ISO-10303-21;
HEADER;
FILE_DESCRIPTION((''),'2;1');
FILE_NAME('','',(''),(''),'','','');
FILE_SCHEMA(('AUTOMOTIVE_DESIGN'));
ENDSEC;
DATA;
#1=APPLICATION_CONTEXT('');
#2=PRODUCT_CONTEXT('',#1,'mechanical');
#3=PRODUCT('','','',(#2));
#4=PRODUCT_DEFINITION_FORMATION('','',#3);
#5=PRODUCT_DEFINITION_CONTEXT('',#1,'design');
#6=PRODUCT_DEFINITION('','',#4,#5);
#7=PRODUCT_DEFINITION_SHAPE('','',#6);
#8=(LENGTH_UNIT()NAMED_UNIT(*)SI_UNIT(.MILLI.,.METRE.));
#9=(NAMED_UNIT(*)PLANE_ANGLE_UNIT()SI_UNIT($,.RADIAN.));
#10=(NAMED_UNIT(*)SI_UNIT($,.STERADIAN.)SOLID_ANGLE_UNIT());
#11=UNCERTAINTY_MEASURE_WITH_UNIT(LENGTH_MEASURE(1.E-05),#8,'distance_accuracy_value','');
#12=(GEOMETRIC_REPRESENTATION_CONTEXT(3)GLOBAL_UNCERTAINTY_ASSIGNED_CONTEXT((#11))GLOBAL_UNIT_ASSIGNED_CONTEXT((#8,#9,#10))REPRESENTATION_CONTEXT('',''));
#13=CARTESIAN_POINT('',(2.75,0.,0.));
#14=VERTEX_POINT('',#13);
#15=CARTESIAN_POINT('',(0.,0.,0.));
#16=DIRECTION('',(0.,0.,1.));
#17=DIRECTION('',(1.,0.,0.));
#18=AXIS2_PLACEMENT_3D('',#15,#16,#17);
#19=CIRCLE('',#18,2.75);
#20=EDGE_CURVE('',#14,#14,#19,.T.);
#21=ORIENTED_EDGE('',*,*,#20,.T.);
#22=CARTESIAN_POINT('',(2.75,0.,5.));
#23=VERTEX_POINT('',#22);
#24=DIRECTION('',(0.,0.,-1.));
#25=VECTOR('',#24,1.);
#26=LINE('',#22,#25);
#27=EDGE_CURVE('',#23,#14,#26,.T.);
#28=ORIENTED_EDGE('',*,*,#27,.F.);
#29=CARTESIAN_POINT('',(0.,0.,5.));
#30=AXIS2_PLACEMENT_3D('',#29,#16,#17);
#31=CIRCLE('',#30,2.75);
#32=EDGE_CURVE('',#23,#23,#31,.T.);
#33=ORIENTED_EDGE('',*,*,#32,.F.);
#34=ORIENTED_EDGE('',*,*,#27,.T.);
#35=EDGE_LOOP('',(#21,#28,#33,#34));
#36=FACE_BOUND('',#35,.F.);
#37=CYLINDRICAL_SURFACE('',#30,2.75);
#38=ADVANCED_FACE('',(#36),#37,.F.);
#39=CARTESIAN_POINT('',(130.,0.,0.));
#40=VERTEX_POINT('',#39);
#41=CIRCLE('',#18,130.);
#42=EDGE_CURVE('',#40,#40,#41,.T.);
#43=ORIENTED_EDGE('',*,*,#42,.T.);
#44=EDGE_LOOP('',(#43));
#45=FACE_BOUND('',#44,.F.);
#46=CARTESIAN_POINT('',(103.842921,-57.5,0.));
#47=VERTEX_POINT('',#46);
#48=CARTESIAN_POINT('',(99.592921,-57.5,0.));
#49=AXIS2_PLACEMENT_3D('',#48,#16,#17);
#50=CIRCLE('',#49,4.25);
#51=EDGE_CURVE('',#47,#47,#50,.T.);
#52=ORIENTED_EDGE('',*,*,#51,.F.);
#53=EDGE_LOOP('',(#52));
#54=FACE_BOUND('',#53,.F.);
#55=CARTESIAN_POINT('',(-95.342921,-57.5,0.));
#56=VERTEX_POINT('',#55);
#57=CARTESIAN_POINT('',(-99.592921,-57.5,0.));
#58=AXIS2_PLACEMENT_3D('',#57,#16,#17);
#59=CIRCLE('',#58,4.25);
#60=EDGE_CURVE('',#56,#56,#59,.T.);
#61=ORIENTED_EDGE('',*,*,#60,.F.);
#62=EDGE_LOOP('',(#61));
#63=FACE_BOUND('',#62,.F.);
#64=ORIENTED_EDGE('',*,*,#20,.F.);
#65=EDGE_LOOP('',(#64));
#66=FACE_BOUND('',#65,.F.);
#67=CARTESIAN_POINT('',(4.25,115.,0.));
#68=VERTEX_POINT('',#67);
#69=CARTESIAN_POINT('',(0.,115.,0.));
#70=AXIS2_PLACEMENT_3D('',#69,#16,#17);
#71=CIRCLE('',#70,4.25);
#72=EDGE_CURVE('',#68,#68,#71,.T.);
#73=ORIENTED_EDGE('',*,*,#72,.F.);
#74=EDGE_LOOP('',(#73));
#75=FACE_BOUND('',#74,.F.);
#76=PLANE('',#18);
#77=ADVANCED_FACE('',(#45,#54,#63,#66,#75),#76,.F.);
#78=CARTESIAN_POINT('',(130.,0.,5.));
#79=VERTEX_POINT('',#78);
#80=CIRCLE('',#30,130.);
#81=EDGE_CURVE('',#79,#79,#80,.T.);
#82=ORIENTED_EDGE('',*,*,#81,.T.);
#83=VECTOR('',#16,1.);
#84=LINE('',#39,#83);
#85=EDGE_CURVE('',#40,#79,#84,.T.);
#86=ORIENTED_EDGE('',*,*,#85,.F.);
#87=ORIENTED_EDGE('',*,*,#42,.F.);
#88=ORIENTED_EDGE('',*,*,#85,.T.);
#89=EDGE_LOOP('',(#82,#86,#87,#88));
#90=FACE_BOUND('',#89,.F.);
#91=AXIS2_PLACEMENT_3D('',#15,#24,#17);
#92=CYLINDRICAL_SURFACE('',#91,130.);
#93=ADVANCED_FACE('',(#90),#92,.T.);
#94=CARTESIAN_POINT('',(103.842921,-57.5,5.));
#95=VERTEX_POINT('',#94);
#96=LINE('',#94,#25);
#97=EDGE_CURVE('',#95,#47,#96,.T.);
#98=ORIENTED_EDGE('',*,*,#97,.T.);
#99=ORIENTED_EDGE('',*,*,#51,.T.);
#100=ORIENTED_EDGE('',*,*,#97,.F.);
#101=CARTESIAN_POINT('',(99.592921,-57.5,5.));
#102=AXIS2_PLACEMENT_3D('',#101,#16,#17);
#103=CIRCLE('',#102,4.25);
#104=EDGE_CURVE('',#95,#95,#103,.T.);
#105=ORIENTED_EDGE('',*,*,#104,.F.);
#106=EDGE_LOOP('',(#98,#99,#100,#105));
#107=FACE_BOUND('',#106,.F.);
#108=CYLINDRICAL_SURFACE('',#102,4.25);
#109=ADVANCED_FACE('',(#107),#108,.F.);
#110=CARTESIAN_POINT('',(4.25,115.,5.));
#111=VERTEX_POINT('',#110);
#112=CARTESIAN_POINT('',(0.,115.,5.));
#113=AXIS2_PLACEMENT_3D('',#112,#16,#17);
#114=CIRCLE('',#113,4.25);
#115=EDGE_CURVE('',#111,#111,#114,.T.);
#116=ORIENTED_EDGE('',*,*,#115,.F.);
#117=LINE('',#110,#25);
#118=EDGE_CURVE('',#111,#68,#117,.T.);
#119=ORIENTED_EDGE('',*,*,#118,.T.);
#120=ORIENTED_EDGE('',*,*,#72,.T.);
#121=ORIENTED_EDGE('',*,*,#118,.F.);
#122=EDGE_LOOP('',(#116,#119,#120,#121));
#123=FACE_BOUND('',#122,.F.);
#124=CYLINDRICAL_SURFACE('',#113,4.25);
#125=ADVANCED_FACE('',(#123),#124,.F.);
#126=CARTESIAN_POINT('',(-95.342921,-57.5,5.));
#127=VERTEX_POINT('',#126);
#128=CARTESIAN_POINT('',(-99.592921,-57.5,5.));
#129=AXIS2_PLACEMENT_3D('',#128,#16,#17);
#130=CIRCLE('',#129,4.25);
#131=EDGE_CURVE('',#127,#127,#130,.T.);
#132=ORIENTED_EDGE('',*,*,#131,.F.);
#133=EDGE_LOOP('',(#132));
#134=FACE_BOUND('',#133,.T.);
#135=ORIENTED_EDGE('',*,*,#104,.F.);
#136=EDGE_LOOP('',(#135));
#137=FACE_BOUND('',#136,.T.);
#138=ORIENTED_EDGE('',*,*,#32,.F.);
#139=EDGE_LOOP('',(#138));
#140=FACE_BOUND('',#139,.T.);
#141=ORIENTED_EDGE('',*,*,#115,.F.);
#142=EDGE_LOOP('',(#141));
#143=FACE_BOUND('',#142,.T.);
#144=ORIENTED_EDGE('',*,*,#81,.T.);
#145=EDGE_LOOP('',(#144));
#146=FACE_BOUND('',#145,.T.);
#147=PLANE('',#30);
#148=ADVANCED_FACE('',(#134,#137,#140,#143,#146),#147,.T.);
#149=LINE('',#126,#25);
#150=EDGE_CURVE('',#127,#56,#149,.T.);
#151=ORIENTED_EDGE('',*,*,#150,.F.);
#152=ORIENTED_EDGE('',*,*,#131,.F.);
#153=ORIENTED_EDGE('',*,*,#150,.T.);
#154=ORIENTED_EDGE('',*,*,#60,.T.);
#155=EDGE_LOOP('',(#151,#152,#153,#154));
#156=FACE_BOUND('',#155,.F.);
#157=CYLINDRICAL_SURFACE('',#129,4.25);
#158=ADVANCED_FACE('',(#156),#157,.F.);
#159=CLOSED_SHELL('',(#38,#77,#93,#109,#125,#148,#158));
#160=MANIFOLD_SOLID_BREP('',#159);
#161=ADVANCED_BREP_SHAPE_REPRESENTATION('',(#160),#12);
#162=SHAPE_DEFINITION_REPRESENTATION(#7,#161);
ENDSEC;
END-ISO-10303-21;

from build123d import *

# Parameters (mm, degrees)
F0_R     = 130
F1_DEPTH = 5
F2_R     = 2.75
F2_R_2   = 4.25
F3_DEPTH = 5.001


with BuildPart() as f1:
    # F0 (on Top) → F1 (new body)
    with BuildSketch(Plane.XY):
        Circle(F0_R)
    extrude(amount=F1_DEPTH)

    # F2 (on face) → F3 (cut, through all)
    with BuildSketch(Plane.XY.offset(5)):
        Circle(F2_R)
        with Locations((0, 115)):
            Circle(F2_R_2)
        with Locations((-99.592921, -57.5)):
            Circle(F2_R_2)
        with Locations((99.592921, -57.5)):
            Circle(F2_R_2)
    extrude(amount=-F3_DEPTH, mode=Mode.SUBTRACT)


solid = f1.part
